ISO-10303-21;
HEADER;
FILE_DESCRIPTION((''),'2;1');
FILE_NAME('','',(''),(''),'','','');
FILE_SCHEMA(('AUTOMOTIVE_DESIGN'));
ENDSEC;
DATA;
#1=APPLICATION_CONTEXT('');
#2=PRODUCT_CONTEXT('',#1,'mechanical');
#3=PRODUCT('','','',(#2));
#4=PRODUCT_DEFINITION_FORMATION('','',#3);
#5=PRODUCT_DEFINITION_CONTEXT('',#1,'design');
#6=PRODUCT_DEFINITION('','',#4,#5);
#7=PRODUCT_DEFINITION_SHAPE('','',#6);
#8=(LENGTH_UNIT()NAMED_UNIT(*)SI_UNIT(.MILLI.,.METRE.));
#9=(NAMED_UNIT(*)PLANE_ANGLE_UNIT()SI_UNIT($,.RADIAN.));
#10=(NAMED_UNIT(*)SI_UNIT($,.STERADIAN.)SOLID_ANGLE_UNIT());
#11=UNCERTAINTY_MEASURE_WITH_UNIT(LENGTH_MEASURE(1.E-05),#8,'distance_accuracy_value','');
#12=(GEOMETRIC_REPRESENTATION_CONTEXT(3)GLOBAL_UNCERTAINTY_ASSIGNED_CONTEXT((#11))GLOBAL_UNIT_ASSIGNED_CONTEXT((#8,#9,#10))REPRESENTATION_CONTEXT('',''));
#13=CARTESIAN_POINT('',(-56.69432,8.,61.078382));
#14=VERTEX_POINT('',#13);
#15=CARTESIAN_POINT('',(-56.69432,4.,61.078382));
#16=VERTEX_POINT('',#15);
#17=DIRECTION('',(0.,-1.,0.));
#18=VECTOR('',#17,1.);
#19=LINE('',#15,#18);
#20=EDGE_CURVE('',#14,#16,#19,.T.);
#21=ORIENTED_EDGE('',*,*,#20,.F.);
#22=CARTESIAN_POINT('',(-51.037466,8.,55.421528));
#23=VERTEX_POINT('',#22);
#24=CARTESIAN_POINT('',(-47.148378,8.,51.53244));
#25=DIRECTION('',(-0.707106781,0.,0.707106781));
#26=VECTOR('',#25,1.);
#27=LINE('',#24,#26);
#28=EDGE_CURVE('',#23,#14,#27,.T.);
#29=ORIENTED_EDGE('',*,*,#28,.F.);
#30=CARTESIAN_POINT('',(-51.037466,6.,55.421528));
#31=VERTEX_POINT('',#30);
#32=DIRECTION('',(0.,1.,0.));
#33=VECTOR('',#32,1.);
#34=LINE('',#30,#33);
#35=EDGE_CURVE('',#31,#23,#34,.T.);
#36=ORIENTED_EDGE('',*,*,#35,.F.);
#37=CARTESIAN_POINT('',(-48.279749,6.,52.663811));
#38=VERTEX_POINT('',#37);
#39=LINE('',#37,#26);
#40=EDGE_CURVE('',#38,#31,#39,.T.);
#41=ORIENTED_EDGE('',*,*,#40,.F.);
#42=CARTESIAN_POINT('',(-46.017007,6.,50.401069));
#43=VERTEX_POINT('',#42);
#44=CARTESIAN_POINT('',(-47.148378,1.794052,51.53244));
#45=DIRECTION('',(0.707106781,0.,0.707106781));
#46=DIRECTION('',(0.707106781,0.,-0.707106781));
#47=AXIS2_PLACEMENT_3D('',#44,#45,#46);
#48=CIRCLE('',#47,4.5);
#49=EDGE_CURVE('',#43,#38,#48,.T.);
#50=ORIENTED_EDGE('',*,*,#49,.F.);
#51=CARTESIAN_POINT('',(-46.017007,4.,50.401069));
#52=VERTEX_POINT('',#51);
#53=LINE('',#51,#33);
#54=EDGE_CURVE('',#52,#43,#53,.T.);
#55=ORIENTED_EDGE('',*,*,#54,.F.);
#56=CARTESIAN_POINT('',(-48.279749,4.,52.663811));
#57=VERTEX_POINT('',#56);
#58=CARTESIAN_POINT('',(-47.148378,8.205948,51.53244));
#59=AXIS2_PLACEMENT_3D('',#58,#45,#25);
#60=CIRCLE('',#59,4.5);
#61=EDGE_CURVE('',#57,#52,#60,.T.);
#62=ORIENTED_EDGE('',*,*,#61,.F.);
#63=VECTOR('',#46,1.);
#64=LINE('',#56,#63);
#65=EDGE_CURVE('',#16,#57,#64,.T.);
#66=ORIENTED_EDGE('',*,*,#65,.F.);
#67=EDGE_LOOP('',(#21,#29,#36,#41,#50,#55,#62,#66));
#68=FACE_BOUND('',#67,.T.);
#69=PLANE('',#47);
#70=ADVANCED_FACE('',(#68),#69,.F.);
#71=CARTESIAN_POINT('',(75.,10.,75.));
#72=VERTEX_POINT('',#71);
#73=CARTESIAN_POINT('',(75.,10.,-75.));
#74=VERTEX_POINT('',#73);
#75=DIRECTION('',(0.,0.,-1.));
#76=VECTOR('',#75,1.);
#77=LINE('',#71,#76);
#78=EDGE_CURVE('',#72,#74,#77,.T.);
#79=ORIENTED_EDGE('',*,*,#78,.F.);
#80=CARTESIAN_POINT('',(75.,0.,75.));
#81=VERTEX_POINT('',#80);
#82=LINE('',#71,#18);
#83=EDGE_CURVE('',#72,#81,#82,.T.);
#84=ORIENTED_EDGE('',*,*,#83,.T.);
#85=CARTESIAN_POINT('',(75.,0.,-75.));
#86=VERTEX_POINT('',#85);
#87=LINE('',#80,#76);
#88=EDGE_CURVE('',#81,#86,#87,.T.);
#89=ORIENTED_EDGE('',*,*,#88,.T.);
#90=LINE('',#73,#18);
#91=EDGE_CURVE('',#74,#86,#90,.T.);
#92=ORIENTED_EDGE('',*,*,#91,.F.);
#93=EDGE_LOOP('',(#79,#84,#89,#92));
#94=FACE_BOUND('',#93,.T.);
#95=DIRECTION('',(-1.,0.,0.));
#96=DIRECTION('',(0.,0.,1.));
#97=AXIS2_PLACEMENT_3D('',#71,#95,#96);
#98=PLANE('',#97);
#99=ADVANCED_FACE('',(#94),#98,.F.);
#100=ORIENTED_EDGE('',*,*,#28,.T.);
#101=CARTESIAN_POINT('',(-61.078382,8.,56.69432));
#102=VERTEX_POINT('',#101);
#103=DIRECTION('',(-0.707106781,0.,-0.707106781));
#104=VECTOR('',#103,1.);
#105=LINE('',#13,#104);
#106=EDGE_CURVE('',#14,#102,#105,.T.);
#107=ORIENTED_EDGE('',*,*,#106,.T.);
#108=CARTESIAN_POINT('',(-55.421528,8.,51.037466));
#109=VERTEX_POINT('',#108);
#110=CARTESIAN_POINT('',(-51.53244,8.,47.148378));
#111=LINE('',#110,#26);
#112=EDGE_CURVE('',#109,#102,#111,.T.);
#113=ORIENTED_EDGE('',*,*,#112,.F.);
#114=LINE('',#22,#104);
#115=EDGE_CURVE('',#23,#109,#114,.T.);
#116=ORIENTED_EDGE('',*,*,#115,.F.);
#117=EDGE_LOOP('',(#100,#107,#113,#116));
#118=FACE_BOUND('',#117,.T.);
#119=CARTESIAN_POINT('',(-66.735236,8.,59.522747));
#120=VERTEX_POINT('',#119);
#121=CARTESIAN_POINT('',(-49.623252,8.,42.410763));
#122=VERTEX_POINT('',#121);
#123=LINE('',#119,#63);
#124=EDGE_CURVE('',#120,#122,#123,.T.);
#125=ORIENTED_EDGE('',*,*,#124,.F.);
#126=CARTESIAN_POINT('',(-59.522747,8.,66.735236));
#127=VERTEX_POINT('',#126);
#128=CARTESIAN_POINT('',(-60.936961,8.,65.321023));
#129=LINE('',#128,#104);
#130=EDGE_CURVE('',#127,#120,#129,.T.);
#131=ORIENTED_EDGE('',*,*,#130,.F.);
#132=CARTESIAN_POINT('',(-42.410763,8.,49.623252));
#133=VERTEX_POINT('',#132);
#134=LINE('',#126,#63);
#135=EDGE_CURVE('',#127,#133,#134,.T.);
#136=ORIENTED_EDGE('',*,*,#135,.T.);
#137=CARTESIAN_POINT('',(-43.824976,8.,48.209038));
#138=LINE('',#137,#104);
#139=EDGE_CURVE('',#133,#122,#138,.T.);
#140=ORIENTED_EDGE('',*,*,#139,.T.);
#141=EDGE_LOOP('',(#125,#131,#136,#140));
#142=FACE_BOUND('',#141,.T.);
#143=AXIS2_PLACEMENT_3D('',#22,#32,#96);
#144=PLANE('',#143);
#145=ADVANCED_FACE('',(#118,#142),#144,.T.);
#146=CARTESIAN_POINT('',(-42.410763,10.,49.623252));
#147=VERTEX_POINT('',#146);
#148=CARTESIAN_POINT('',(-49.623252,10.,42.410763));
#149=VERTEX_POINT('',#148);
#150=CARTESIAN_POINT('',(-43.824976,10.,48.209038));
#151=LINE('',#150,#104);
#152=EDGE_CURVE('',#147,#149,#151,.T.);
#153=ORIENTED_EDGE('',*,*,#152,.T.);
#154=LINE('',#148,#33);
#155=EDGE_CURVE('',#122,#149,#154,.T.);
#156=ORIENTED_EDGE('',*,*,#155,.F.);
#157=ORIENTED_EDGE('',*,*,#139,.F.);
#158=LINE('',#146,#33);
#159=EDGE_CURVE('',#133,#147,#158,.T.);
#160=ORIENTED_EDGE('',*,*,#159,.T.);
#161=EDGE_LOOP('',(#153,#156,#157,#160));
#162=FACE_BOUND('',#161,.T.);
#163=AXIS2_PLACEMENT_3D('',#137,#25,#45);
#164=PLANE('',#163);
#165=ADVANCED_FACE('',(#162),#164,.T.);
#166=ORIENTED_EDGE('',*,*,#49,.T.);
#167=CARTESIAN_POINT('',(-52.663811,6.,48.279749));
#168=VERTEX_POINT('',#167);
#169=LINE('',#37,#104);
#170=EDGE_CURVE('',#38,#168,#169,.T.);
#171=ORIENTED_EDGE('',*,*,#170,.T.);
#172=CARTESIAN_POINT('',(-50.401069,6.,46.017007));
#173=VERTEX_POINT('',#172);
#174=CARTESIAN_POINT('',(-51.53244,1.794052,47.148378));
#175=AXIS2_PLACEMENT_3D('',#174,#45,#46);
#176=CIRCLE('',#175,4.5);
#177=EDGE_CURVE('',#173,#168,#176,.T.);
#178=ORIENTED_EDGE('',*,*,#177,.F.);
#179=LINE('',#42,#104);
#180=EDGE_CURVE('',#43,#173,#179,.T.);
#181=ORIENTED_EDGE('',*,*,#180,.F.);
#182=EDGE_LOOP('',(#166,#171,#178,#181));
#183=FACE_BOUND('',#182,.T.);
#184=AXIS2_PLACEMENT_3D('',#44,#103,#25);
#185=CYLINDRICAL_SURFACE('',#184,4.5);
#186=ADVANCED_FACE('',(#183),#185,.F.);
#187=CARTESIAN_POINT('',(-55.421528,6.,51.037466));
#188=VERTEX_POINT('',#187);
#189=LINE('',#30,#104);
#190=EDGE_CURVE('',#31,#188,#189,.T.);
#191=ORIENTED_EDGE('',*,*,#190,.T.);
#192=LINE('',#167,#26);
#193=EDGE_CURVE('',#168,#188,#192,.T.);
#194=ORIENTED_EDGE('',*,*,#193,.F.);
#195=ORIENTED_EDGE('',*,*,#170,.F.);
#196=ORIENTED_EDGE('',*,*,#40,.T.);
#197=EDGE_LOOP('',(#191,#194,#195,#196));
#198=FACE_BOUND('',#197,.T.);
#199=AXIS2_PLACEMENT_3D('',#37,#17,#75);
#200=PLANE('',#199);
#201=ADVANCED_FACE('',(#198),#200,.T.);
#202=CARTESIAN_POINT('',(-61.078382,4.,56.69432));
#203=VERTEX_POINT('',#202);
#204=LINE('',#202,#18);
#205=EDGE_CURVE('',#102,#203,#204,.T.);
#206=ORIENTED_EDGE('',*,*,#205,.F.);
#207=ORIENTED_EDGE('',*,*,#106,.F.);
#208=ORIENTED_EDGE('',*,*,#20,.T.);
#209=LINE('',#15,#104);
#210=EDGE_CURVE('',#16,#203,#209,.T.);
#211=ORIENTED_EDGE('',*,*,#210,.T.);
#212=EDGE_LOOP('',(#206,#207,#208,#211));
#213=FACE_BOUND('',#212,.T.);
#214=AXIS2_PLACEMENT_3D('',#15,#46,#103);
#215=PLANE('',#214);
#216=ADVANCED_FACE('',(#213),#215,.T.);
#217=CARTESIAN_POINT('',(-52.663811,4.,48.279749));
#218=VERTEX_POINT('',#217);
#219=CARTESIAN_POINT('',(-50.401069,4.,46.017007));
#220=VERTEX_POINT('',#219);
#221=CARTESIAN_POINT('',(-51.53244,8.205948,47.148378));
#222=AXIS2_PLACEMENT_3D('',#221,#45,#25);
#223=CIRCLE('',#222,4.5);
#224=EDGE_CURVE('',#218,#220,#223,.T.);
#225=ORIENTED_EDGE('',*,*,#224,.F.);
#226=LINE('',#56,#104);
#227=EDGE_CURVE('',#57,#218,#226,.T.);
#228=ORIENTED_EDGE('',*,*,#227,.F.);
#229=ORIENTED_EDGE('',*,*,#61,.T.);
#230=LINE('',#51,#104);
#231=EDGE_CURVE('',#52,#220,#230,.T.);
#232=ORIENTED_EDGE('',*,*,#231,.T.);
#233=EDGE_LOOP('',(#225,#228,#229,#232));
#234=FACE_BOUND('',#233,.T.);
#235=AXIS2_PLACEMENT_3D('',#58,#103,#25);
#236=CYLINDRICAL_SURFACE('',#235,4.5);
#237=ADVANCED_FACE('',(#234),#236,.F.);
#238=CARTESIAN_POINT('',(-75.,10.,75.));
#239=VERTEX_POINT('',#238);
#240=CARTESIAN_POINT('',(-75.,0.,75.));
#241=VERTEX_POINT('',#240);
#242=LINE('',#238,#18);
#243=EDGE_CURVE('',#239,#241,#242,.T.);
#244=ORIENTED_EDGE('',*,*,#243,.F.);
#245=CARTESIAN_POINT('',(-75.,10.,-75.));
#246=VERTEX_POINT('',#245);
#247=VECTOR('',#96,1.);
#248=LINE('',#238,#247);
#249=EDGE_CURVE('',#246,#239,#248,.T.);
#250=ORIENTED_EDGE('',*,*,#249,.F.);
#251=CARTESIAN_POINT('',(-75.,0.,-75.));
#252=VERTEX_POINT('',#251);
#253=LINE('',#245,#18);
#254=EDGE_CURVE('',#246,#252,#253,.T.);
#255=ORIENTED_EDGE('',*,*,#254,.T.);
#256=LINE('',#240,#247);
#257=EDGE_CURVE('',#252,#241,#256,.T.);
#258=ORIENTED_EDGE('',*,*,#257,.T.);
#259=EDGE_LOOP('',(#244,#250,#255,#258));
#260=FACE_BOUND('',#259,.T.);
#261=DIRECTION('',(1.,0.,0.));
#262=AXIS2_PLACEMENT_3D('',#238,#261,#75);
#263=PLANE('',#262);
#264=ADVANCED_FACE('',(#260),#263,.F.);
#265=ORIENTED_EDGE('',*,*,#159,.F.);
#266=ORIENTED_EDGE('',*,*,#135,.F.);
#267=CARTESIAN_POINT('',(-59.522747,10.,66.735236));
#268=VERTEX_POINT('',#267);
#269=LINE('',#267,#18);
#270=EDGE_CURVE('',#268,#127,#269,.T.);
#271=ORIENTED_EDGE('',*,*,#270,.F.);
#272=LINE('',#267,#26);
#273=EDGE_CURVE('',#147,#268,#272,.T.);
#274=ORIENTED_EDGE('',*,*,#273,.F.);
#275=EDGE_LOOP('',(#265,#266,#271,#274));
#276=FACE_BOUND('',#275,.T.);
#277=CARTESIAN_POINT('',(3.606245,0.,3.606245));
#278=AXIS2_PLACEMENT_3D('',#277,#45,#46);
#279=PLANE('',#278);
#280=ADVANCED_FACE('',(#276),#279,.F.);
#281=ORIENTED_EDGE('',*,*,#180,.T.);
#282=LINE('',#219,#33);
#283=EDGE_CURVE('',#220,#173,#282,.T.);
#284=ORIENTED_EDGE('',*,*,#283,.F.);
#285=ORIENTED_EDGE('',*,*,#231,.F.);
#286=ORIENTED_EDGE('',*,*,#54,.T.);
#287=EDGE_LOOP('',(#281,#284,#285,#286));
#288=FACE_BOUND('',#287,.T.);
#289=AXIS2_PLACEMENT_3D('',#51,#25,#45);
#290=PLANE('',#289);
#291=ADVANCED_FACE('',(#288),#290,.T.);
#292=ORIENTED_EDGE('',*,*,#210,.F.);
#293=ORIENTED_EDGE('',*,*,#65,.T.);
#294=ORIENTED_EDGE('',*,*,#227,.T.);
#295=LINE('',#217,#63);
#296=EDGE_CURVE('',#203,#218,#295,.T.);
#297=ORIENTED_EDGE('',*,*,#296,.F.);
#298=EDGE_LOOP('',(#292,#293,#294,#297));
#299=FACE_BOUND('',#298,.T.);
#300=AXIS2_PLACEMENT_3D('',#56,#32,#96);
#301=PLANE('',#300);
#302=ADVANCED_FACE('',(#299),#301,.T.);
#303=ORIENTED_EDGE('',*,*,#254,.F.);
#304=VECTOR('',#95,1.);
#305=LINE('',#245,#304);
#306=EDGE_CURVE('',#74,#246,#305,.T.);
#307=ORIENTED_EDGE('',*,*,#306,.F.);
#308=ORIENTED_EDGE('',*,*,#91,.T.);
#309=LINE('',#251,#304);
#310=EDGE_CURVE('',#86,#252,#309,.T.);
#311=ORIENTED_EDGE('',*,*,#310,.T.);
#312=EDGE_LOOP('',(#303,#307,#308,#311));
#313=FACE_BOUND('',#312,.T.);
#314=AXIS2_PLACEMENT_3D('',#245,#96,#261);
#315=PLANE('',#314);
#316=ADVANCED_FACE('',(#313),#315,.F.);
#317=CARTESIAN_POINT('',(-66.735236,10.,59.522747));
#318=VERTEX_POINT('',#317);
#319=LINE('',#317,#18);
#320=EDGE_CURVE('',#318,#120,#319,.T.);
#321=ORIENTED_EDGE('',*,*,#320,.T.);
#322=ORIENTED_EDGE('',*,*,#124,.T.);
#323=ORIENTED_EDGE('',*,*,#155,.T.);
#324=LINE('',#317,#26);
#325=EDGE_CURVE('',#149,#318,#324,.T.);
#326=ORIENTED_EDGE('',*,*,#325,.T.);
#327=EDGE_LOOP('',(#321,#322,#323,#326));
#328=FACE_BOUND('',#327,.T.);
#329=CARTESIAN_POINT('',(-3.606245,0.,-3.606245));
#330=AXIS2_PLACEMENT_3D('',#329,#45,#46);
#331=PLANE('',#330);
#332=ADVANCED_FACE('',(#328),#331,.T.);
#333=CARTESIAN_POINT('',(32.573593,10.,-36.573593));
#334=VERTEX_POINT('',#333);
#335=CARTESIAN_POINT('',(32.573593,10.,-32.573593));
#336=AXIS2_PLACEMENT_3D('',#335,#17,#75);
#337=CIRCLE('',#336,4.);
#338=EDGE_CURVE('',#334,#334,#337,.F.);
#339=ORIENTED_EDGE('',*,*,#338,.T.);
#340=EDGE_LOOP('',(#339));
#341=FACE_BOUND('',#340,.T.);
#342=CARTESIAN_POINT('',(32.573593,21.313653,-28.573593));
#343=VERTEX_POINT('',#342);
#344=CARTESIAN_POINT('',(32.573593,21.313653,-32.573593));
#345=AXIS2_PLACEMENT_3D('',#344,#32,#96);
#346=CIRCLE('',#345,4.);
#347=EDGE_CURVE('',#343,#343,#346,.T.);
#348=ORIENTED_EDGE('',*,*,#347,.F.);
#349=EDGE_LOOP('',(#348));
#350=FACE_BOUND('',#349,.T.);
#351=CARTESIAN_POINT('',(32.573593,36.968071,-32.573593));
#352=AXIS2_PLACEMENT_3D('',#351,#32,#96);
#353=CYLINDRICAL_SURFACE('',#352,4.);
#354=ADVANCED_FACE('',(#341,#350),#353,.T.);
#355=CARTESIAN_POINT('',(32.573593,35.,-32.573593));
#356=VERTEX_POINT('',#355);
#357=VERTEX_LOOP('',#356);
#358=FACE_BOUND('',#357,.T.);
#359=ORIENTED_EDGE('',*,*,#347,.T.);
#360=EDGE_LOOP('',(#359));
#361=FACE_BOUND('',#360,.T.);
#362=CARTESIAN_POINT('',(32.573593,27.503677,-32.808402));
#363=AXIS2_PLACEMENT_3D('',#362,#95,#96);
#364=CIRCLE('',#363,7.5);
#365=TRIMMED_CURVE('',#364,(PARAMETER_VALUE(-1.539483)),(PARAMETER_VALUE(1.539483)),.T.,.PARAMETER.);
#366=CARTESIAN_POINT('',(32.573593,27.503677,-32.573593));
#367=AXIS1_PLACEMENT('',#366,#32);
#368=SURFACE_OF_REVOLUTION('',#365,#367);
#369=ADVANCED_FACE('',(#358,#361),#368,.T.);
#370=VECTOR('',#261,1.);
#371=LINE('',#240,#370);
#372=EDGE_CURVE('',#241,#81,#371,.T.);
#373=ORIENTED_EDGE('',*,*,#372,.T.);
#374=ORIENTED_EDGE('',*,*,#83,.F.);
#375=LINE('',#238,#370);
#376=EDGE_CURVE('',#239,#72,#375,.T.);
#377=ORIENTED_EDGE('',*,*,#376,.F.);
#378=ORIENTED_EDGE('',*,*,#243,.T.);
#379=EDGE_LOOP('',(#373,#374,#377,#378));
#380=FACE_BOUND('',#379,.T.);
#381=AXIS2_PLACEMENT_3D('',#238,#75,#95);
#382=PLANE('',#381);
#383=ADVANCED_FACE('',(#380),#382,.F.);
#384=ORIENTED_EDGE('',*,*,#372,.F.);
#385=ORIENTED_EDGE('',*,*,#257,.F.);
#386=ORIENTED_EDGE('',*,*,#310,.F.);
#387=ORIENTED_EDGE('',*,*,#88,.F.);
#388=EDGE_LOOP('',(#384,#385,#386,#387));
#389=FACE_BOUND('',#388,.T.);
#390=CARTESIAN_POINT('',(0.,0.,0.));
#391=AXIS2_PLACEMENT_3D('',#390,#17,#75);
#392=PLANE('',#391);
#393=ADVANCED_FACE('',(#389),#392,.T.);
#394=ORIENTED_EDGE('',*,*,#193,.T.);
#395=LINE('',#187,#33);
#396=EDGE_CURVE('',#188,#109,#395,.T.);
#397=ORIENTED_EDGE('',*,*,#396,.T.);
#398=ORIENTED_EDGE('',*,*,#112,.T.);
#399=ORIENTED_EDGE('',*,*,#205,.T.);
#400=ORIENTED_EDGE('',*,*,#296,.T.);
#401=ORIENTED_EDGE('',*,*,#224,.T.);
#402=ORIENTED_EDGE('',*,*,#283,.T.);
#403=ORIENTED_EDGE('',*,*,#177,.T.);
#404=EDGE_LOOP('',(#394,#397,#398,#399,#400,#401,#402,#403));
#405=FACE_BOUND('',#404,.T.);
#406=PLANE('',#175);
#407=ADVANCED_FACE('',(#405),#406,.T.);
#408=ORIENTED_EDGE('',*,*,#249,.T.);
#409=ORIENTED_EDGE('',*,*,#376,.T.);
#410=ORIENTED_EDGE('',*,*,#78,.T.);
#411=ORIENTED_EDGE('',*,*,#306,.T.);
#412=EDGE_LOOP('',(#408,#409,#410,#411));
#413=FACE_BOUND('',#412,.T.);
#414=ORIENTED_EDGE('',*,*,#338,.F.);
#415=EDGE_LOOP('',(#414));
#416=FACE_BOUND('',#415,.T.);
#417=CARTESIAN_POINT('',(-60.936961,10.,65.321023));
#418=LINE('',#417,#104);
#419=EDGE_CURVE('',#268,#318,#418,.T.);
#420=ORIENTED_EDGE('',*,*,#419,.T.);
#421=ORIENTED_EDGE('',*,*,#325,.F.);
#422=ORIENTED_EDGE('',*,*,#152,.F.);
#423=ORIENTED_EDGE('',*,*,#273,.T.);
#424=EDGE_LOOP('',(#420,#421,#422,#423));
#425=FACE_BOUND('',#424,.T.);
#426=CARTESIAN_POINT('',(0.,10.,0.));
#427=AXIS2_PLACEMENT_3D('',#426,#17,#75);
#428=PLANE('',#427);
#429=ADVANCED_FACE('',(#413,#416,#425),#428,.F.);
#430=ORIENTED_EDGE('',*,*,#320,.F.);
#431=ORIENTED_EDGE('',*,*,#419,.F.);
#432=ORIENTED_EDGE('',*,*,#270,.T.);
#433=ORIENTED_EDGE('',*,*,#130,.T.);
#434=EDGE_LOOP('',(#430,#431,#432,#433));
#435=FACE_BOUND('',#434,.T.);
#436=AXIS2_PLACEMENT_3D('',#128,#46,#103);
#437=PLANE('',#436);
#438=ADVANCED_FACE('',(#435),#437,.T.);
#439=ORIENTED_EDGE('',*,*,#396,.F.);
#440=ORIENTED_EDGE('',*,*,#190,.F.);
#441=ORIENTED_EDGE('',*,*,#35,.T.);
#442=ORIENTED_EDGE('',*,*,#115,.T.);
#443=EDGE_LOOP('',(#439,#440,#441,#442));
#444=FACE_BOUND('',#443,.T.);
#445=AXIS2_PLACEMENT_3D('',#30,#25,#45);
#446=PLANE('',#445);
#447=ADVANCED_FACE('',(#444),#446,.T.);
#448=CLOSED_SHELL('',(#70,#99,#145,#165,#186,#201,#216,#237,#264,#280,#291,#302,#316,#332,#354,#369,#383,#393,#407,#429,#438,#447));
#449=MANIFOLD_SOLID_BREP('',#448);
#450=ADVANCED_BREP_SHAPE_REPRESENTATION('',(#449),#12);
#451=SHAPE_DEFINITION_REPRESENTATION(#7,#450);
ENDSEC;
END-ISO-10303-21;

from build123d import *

# Parameters (mm, degrees)
SKETCH1_W               = 150
SKETCH1_H               = 150
BOSS_EXTRUDE1_DEPTH     = 10
CUT_EXTRUDE1_DEPTH      = 3.1
CUT_EXTRUDE1_DEPTH_BACK = 3.1
CUT_EXTRUDE2_DEPTH      = 8.2
CUT_EXTRUDE2_DEPTH_BACK = 2
SKETCH4_W               = 24.2
SKETCH4_H               = 2


with BuildPart() as part:
    # Sketch1 → Boss-Extrude1 (new body)
    with BuildSketch(Plane(origin=(0, 0, 0), x_dir=(1, 0, 0), z_dir=(0, 1, 0))):
        Rectangle(SKETCH1_W, SKETCH1_H)
    extrude(amount=BOSS_EXTRUDE1_DEPTH)

    # Sketch3 → Cut-Extrude1 (cut, two sides: drawn at the far end of the back side and taken through both)
    with BuildSketch(Plane(origin=(0, 0, 0), x_dir=(0, -1, 0), z_dir=(0.7071067811865488, 0, 0.7071067811865464)).offset(-CUT_EXTRUDE1_DEPTH_BACK)):
        with BuildLine():
            Line((-4, -68.177876041), (-6, -68.177876041))
            ThreePointArc((-6, -68.177876041), (-6.294051831, -69.777876041), (-6, -71.377876041))
            Line((-6, -71.377876041), (-6, -75.277876041))
            Line((-6, -75.277876041), (-8, -75.277876041))
            Line((-8, -75.277876041), (-8, -65.077876041))
            Line((-8, -65.077876041), (-10, -65.077876041))
            Line((-10, -65.077876041), (-10, -89.277876041))
            Line((-10, -89.277876041), (-8, -89.277876041))
            Line((-8, -89.277876041), (-8, -83.277876041))
            Line((-8, -83.277876041), (-4, -83.277876041))
            Line((-4, -83.277876041), (-4, -71.377876041))
            ThreePointArc((-4, -71.377876041), (-3.705948169, -69.777876041), (-4, -68.177876041))
        make_face()
    extrude(amount=CUT_EXTRUDE1_DEPTH + CUT_EXTRUDE1_DEPTH_BACK, mode=Mode.SUBTRACT)

    # Sketch4 → Cut-Extrude2 (cut, two sides: drawn at the far end of the back side and taken through both)
    with BuildSketch(Plane(origin=(-2.192031022, 0, -2.192031022), x_dir=(0.7071067811865465, 0, -0.7071067811865487), z_dir=(0.7071067811865487, 0, 0.7071067811865465)).offset(-CUT_EXTRUDE2_DEPTH_BACK)):
        with Locations((-77.177876041, 9)):
            Rectangle(SKETCH4_W, SKETCH4_H)
    extrude(amount=CUT_EXTRUDE2_DEPTH + CUT_EXTRUDE2_DEPTH_BACK, mode=Mode.SUBTRACT)

    # Sketch5 → Revolve1 (revolve)
    with BuildSketch(Plane(origin=(0, 0, 0), x_dir=(0, -1, 0), z_dir=(0.7071067811865488, 0, 0.7071067811865464))):
        with BuildLine():
            Line((-10, 46.066017178), (-35, 46.066017178))
            ThreePointArc((-35, 46.066017178), (-29.607626316, 53.030055538), (-21.31365255, 50.066017178))
            Line((-21.31365255, 50.066017178), (-10, 50.066017178))
            Line((-10, 50.066017178), (-10, 46.066017178))
        make_face()
    revolve(axis=Axis((32.573593129, 36.96807126, -32.573593129), (0, -1, 0)))


solid = part.part
